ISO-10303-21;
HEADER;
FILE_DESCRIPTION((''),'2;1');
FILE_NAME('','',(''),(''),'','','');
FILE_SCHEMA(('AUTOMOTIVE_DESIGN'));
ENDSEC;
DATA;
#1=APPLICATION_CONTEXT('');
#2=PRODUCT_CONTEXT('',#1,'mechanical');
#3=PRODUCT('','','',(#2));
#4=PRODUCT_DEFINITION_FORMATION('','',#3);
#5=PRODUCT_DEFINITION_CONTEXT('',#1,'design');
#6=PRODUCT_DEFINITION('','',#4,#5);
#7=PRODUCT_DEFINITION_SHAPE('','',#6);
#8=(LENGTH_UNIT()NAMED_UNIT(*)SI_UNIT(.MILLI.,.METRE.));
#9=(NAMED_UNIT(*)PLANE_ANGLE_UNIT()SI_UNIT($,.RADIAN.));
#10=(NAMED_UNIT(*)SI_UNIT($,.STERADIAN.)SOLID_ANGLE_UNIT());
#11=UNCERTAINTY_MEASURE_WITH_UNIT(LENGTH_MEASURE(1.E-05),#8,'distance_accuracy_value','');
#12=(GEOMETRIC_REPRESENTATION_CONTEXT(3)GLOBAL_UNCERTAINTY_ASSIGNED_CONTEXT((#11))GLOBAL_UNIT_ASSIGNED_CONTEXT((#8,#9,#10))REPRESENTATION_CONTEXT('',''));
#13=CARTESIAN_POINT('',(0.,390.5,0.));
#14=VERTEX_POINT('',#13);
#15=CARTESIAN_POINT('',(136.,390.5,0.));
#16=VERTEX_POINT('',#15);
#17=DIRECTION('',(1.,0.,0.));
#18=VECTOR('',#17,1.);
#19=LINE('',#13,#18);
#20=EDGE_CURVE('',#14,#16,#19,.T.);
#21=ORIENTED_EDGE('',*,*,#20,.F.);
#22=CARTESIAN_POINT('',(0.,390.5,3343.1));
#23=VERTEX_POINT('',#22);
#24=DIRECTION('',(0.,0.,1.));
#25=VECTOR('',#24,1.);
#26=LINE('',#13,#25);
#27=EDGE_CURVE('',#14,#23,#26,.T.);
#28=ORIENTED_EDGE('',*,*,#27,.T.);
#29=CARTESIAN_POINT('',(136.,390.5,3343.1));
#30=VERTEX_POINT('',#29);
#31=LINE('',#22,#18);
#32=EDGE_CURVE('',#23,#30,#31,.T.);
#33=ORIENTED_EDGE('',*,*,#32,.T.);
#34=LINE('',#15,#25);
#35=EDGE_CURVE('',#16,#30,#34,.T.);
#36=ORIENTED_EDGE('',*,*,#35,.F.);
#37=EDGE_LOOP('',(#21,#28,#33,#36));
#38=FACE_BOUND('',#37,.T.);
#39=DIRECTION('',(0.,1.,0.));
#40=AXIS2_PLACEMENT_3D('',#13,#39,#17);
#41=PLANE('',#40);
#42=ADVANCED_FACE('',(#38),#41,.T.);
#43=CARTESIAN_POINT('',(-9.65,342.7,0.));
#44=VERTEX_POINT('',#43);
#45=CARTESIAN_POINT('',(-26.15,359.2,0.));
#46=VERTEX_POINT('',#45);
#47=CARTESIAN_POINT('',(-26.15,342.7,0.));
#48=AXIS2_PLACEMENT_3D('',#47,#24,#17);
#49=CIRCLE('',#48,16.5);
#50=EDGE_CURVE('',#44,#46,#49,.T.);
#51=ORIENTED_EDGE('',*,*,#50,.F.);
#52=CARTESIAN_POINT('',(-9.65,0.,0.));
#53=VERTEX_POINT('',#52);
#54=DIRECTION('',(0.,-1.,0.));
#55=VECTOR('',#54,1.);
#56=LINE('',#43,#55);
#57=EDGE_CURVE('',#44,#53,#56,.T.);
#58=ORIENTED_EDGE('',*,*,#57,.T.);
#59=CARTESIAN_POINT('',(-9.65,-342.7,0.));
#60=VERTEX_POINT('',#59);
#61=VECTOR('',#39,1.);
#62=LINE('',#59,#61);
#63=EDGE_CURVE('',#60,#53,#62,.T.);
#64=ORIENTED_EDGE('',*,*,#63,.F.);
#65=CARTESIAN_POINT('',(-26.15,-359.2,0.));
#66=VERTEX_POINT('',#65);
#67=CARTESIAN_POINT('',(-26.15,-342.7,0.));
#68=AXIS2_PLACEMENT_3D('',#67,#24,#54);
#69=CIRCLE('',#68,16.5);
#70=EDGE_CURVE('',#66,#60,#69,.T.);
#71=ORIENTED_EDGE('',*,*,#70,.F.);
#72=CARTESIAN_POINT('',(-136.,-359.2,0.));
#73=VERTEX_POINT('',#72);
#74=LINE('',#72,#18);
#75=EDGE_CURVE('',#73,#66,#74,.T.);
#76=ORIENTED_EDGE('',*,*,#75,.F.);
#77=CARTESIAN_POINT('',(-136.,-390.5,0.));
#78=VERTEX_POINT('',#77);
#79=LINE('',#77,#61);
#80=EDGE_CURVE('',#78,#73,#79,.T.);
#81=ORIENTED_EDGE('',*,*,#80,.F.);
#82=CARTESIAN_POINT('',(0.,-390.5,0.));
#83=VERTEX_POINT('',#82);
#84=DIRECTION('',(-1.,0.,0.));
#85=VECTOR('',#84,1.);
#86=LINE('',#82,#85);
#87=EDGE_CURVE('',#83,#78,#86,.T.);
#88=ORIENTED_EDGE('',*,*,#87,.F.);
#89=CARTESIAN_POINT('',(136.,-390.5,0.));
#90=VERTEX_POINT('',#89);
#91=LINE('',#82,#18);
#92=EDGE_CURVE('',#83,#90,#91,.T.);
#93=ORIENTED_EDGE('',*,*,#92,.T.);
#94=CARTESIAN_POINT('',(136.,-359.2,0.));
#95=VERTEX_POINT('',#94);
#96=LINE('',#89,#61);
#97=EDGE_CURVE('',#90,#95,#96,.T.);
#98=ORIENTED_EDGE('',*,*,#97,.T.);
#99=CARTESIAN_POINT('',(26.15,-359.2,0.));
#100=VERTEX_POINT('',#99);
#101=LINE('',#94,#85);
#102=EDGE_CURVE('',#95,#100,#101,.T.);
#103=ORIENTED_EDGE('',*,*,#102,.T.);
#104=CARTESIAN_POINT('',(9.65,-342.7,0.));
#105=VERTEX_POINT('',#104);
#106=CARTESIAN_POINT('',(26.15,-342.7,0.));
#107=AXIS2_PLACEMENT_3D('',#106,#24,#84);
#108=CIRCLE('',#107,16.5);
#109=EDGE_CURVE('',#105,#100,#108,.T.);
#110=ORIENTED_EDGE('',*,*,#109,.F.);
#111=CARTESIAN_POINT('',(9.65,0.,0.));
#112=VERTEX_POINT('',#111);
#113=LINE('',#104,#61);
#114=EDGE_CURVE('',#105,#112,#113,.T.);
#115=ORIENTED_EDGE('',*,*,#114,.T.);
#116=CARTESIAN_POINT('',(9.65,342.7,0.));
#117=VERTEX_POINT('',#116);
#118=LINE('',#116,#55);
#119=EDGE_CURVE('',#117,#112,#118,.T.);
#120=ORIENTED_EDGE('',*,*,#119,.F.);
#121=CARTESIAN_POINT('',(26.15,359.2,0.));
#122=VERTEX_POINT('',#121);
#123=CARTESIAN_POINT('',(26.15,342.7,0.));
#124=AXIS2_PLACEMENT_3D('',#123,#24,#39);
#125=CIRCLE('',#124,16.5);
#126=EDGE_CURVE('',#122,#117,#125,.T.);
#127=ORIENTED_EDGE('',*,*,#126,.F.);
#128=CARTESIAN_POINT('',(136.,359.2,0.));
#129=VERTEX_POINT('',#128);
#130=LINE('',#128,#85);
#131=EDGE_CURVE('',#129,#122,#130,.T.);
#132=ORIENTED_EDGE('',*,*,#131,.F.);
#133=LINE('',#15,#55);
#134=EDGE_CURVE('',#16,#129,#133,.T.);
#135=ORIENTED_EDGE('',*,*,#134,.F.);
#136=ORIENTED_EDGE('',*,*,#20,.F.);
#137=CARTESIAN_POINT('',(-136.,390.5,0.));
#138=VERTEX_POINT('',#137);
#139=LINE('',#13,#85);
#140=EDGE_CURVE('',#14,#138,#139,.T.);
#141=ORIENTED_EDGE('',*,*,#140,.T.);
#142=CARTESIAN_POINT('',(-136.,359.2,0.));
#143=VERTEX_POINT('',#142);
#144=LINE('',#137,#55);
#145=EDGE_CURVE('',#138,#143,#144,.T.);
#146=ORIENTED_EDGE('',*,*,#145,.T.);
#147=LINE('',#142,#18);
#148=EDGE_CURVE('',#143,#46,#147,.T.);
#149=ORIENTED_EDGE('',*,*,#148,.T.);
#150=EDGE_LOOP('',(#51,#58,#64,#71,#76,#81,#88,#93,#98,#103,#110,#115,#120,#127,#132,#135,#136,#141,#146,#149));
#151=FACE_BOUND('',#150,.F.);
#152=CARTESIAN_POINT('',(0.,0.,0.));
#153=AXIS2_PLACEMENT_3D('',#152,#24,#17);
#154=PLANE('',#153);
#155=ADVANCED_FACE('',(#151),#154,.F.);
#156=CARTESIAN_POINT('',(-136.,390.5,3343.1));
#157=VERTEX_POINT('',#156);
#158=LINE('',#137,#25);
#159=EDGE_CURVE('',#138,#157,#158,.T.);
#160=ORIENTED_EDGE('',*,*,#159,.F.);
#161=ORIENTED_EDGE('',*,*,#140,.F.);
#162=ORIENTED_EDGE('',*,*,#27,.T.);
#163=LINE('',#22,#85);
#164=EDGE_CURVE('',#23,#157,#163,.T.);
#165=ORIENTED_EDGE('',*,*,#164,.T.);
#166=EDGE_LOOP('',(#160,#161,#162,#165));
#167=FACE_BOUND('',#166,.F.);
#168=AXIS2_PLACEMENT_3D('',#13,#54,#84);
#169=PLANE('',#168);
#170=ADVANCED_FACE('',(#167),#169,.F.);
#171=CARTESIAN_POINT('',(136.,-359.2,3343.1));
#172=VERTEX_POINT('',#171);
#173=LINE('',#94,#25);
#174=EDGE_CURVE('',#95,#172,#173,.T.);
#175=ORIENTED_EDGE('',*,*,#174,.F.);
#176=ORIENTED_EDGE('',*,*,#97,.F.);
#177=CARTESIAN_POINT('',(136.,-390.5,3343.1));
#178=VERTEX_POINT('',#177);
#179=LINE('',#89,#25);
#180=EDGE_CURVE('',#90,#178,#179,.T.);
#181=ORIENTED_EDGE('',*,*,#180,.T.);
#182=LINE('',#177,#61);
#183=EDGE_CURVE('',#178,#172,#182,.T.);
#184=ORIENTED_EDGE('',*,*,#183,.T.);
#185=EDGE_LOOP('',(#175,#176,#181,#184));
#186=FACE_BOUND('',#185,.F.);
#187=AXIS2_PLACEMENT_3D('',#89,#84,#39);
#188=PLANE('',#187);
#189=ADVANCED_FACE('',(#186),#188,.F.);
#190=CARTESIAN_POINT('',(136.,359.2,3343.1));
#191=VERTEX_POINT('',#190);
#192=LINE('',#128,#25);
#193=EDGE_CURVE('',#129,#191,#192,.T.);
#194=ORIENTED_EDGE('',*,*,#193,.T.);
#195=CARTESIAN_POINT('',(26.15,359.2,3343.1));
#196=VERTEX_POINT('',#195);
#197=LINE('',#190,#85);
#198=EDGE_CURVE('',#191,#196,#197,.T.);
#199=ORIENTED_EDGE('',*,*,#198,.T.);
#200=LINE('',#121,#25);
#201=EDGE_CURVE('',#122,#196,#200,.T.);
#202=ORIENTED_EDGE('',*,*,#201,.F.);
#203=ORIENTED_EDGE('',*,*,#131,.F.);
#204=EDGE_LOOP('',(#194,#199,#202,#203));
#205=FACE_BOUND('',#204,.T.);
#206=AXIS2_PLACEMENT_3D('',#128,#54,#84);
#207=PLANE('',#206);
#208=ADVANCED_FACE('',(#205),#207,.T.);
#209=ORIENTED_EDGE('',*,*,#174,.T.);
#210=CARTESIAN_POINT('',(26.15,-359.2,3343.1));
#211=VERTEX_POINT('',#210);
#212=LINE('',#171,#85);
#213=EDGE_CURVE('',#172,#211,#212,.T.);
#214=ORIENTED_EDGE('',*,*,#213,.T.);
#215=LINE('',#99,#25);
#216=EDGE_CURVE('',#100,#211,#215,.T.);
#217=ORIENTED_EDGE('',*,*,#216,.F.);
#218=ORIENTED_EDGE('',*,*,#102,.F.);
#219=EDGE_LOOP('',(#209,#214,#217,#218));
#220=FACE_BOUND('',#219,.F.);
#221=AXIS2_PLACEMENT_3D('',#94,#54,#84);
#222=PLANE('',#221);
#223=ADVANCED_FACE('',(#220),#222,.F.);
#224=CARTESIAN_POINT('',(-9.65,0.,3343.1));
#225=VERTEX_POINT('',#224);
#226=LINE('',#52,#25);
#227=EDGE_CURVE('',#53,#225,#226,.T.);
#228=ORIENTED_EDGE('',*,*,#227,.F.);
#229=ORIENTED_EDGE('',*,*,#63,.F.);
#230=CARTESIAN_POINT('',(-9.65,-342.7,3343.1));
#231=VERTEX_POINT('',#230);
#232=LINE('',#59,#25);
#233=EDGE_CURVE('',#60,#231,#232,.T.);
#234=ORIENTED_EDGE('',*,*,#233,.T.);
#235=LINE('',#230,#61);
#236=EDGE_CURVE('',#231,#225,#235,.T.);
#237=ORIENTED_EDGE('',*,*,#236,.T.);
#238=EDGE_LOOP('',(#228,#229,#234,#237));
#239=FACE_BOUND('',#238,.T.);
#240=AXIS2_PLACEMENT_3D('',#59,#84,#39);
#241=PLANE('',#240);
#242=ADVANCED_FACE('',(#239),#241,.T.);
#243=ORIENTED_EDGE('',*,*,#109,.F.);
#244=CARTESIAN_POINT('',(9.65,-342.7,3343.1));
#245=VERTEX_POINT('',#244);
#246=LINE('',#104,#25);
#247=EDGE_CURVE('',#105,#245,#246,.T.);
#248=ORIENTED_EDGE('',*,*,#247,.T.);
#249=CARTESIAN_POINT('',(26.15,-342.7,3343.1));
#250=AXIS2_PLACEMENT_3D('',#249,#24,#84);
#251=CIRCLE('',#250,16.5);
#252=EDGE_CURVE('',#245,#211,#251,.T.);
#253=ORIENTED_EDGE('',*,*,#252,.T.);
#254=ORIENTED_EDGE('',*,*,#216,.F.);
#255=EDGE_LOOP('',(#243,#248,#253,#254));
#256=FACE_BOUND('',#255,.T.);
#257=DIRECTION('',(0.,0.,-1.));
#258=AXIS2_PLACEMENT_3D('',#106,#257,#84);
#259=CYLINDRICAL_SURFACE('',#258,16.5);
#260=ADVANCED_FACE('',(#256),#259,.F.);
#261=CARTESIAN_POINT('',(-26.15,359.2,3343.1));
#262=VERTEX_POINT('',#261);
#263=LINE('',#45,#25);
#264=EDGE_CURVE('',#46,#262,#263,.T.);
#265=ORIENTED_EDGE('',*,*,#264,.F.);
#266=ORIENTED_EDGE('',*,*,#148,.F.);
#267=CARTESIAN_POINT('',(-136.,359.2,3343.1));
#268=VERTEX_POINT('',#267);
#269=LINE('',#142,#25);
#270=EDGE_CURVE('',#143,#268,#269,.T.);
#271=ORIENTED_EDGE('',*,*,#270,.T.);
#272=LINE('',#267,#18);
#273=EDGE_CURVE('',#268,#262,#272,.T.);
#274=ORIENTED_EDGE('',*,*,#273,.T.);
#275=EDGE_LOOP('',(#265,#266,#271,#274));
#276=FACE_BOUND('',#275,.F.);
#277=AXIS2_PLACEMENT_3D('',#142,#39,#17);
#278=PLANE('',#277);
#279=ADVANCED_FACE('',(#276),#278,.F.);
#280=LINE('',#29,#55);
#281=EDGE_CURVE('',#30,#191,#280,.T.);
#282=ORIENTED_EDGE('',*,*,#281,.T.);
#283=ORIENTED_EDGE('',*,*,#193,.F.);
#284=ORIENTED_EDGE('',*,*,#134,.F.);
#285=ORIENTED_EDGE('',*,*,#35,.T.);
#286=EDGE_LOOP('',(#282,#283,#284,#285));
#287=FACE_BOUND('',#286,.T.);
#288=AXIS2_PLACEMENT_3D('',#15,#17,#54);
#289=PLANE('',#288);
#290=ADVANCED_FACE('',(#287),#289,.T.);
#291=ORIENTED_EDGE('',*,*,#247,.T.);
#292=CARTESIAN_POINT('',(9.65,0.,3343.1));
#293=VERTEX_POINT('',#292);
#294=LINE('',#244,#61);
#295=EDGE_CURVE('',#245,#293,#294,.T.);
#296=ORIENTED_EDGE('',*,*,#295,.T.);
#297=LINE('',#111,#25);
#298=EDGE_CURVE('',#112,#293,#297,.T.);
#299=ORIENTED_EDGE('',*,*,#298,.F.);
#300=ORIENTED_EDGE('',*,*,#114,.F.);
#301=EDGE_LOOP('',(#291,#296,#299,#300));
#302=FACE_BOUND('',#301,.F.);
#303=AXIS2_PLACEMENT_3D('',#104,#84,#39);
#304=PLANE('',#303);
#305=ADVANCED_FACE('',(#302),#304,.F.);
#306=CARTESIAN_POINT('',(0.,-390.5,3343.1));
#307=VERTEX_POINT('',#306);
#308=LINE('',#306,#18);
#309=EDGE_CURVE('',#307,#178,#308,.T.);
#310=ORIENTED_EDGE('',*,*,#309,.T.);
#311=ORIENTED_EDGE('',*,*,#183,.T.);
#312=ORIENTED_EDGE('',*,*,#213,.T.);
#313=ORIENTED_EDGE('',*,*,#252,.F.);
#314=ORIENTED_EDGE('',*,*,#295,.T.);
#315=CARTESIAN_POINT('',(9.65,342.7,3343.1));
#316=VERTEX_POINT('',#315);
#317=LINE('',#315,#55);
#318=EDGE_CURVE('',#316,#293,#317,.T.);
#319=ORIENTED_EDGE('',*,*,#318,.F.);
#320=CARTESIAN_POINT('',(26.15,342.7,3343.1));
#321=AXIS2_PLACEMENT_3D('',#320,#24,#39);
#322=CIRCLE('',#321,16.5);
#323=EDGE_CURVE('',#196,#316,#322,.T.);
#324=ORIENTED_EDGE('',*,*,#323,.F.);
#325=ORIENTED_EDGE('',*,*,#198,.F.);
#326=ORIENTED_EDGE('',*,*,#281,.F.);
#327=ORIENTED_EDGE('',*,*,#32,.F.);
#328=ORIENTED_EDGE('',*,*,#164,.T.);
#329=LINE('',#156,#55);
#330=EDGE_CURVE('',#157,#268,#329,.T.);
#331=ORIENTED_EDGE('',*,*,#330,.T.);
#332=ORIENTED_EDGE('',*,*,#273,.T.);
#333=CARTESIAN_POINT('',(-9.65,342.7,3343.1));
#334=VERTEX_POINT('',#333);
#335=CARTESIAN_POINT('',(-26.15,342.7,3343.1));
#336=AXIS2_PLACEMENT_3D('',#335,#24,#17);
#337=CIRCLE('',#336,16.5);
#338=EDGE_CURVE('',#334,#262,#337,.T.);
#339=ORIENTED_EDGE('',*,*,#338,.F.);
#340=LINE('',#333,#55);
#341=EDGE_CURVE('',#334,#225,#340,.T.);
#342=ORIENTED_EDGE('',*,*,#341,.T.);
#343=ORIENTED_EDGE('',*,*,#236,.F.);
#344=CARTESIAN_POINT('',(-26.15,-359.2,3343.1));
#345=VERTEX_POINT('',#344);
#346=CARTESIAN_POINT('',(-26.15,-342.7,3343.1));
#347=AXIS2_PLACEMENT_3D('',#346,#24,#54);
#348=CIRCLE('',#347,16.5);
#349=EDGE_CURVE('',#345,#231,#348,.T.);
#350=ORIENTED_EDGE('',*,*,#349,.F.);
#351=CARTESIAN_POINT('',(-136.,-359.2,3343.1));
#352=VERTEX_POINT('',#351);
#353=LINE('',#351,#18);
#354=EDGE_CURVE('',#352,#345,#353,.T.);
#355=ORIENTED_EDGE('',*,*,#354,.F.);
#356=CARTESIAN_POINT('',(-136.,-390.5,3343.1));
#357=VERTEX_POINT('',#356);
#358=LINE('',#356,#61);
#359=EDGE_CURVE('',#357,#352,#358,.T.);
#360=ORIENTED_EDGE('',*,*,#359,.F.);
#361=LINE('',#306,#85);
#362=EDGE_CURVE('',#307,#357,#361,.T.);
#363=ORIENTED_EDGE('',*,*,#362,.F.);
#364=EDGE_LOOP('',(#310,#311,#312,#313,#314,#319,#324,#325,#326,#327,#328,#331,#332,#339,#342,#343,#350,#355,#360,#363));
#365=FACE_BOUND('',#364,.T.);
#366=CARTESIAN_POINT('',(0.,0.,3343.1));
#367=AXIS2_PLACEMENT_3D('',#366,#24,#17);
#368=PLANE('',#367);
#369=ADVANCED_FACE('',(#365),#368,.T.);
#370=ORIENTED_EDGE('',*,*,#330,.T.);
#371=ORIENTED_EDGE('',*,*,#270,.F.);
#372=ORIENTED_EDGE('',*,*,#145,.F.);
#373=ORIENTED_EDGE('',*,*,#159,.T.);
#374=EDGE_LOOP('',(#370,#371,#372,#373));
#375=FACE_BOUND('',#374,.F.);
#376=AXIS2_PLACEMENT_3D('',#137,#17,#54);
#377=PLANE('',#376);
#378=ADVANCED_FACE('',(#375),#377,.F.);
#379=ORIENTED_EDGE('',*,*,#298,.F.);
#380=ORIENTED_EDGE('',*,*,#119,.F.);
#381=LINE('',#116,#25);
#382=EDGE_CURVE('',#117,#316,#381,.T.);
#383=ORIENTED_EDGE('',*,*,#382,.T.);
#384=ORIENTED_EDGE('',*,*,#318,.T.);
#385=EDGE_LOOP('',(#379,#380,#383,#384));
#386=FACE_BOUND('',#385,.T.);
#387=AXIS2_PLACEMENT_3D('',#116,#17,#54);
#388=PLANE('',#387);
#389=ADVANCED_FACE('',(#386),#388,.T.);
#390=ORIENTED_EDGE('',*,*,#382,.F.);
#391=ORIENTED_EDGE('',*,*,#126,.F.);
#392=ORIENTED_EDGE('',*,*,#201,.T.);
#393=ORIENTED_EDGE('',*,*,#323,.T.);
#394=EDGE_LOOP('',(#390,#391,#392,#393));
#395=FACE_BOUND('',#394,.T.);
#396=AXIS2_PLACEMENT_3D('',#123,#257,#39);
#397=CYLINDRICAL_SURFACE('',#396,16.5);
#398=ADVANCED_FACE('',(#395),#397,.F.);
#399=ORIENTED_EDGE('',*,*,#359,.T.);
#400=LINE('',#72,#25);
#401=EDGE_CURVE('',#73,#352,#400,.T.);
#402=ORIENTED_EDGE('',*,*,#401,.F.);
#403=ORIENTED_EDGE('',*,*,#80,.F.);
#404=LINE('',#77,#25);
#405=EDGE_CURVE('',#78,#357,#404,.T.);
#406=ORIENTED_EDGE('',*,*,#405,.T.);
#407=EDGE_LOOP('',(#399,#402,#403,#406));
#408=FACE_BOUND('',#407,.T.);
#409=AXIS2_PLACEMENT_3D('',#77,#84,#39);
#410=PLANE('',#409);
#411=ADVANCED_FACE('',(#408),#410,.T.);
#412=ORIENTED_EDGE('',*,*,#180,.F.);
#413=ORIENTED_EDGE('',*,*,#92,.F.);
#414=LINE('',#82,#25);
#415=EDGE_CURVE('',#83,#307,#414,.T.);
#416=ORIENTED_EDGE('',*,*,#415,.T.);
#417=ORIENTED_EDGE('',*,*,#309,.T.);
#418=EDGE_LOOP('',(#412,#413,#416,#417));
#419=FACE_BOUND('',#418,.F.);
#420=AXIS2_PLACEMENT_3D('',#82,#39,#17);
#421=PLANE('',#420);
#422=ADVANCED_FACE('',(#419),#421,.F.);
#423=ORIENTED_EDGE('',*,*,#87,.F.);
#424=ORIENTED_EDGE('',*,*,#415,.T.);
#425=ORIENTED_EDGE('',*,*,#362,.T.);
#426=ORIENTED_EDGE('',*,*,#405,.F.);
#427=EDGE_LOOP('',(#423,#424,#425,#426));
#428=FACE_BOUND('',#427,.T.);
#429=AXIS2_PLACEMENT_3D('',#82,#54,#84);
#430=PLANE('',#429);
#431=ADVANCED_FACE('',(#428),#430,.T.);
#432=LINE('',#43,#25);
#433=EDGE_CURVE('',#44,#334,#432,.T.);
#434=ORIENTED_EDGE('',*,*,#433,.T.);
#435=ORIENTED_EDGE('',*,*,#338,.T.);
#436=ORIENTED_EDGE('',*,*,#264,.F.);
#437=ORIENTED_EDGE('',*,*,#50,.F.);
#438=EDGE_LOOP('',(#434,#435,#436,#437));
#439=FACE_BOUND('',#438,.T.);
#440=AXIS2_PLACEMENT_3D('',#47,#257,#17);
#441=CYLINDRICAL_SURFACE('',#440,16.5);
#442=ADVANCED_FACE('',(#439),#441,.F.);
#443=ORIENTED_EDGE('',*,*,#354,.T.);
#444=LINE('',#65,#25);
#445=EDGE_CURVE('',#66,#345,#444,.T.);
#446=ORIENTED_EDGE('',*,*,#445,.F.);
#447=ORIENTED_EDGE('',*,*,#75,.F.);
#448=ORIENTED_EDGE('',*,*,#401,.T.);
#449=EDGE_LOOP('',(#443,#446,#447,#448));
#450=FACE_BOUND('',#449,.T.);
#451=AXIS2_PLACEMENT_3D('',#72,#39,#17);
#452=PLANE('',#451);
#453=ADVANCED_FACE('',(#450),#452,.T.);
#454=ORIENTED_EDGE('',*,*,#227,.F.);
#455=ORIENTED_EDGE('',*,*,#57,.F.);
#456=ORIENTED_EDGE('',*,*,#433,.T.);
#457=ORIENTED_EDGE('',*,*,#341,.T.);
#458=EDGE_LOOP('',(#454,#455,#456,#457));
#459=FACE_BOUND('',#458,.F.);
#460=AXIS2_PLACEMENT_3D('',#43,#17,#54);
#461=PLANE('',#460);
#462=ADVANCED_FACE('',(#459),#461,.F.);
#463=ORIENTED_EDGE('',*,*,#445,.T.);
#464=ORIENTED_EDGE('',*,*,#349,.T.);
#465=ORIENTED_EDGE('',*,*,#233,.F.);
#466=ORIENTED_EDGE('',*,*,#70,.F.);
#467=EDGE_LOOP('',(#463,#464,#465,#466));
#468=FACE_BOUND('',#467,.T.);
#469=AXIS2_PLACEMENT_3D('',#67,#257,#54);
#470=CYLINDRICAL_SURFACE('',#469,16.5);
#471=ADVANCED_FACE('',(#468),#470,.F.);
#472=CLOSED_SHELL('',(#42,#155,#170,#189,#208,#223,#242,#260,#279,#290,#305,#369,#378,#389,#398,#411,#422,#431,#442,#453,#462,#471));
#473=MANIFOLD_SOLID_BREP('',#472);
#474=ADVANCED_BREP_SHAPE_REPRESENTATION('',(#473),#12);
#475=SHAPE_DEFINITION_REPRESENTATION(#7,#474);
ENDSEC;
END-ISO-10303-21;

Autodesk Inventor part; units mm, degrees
ref_plane "YZ Plane" through (0, 0, 0) normal (1, 0, 0) x (0, 1, 0)
ref_plane "Start plane" through (0, 0, 0) normal (0, 0, 1) x (1, 0, 0)
ref_plane "End plane" through (0, 0, 3343.1) normal (0, 0, 1) x (1, 0, 0)
sketch "Sketch" plane through (0, 0, 0) normal (0, 0, 1) x (1, 0, 0)
  line L0 (-136, -390.5) -> (-136, -359.2)
  line L1 (-136, -359.2) -> (-26.15, -359.2)
  line L2 (-9.65, -342.7) -> (-9.65, 0)
  line L3 (-9.65, 0) -> (0, 0) construction
  line L4 (0, 0) -> (0, -390.5) construction
  line L5 (0, -390.5) -> (-136, -390.5)
  line L6 (-60, 0) -> (80, 0) construction
  line L7 (0, -60) -> (0, 80) construction
  line L8 (136, -390.5) -> (136, -359.2)
  line L9 (136, -359.2) -> (26.15, -359.2)
  line L10 (9.65, -342.7) -> (9.65, 0)
  line L11 (9.65, 0) -> (0, 0) construction
  line L12 (0, -390.5) -> (136, -390.5)
  line L13 (-136, 390.5) -> (-136, 359.2)
  line L14 (-136, 359.2) -> (-26.15, 359.2)
  line L15 (-9.65, 342.7) -> (-9.65, 0)
  line L16 (0, 390.5) -> (-136, 390.5)
  line L17 (136, 390.5) -> (136, 359.2)
  line L18 (136, 359.2) -> (26.15, 359.2)
  line L19 (0, 390.5) -> (136, 390.5)
  line L20 (9.65, 342.7) -> (9.65, 0)
  arc A0 (-9.65, 342.7) -> (-26.15, 359.2) centre (-26.15, 342.7) ccw
  arc A1 (26.15, 359.2) -> (9.65, 342.7) centre (26.15, 342.7) ccw
  arc A2 (9.65, -342.7) -> (26.15, -359.2) centre (26.15, -342.7) ccw
  arc A3 (-26.15, -359.2) -> (-9.65, -342.7) centre (-26.15, -342.7) ccw
  line L21 (0, 108) -> (0, -88) construction
  line L22 (-88, 0) -> (108, 0) construction
  point P0 (-9.65, -359.2)
  point P1 (9.65, -359.2)
  point P2 (-9.65, 359.2)
  point P3 (9.65, 359.2)
  dimension "d1" = 390.5
  dimension "d2" = 31.3
  dimension "d3" = 136
  dimension "d4" = 9.65
  dimension "d10" = 16.5
extrude "Body" add sketch "Sketch" along normal up to surface (3343.1 mm away) from surface at 0
sketch "Sketch4" plane through (0, 0, 0) normal (0, 0, 1) x (1, 0, 0)
  line L0 (0, 0) -> (10, 0)
ref_plane "Work Plane3" through (0, 0, 0) normal (0, -1, 0) x (1, 0, 0)
sketch "Sketch5" plane through (0, 0, 0) normal (0, -1, 0) x (1, 0, 0)
  line L0 (-2, 0) -> (12, 0) projected
  line L1 (-2, 3343.1) -> (12, 3343.1) projected
  dimension "d14" = 3343.1
equation "\"d1\" = 0.5 * G_H"
equation "\"d2\" = G_T1"
equation "\"d3\" = 0.5 * G_W"
equation "\"d4\" = 0.5 * G_T"
equation "\"d10\" = G_IR"
equation "\"d5\" = G_L"
equation "\"G_W\" = 272"
equation "\"G_H\" = 781"
equation "\"G_T\" = 19.3"
equation "\"G_T1\" = 31.3"
equation "\"G_IR\" = 16.5"
equation "\"G_L\" = d14"
equation "\"G_OFFSET_START\" = 0"
equation "\"G_OFFSET_END\" = 0"
equation "\"d12\" = G_OFFSET_END + B_L"
equation "\"B_L\" = 3343.1"
properties part number "AS 3679-1990 - 760 UB - 244 - 3343.1" material "Steel, Mild"
